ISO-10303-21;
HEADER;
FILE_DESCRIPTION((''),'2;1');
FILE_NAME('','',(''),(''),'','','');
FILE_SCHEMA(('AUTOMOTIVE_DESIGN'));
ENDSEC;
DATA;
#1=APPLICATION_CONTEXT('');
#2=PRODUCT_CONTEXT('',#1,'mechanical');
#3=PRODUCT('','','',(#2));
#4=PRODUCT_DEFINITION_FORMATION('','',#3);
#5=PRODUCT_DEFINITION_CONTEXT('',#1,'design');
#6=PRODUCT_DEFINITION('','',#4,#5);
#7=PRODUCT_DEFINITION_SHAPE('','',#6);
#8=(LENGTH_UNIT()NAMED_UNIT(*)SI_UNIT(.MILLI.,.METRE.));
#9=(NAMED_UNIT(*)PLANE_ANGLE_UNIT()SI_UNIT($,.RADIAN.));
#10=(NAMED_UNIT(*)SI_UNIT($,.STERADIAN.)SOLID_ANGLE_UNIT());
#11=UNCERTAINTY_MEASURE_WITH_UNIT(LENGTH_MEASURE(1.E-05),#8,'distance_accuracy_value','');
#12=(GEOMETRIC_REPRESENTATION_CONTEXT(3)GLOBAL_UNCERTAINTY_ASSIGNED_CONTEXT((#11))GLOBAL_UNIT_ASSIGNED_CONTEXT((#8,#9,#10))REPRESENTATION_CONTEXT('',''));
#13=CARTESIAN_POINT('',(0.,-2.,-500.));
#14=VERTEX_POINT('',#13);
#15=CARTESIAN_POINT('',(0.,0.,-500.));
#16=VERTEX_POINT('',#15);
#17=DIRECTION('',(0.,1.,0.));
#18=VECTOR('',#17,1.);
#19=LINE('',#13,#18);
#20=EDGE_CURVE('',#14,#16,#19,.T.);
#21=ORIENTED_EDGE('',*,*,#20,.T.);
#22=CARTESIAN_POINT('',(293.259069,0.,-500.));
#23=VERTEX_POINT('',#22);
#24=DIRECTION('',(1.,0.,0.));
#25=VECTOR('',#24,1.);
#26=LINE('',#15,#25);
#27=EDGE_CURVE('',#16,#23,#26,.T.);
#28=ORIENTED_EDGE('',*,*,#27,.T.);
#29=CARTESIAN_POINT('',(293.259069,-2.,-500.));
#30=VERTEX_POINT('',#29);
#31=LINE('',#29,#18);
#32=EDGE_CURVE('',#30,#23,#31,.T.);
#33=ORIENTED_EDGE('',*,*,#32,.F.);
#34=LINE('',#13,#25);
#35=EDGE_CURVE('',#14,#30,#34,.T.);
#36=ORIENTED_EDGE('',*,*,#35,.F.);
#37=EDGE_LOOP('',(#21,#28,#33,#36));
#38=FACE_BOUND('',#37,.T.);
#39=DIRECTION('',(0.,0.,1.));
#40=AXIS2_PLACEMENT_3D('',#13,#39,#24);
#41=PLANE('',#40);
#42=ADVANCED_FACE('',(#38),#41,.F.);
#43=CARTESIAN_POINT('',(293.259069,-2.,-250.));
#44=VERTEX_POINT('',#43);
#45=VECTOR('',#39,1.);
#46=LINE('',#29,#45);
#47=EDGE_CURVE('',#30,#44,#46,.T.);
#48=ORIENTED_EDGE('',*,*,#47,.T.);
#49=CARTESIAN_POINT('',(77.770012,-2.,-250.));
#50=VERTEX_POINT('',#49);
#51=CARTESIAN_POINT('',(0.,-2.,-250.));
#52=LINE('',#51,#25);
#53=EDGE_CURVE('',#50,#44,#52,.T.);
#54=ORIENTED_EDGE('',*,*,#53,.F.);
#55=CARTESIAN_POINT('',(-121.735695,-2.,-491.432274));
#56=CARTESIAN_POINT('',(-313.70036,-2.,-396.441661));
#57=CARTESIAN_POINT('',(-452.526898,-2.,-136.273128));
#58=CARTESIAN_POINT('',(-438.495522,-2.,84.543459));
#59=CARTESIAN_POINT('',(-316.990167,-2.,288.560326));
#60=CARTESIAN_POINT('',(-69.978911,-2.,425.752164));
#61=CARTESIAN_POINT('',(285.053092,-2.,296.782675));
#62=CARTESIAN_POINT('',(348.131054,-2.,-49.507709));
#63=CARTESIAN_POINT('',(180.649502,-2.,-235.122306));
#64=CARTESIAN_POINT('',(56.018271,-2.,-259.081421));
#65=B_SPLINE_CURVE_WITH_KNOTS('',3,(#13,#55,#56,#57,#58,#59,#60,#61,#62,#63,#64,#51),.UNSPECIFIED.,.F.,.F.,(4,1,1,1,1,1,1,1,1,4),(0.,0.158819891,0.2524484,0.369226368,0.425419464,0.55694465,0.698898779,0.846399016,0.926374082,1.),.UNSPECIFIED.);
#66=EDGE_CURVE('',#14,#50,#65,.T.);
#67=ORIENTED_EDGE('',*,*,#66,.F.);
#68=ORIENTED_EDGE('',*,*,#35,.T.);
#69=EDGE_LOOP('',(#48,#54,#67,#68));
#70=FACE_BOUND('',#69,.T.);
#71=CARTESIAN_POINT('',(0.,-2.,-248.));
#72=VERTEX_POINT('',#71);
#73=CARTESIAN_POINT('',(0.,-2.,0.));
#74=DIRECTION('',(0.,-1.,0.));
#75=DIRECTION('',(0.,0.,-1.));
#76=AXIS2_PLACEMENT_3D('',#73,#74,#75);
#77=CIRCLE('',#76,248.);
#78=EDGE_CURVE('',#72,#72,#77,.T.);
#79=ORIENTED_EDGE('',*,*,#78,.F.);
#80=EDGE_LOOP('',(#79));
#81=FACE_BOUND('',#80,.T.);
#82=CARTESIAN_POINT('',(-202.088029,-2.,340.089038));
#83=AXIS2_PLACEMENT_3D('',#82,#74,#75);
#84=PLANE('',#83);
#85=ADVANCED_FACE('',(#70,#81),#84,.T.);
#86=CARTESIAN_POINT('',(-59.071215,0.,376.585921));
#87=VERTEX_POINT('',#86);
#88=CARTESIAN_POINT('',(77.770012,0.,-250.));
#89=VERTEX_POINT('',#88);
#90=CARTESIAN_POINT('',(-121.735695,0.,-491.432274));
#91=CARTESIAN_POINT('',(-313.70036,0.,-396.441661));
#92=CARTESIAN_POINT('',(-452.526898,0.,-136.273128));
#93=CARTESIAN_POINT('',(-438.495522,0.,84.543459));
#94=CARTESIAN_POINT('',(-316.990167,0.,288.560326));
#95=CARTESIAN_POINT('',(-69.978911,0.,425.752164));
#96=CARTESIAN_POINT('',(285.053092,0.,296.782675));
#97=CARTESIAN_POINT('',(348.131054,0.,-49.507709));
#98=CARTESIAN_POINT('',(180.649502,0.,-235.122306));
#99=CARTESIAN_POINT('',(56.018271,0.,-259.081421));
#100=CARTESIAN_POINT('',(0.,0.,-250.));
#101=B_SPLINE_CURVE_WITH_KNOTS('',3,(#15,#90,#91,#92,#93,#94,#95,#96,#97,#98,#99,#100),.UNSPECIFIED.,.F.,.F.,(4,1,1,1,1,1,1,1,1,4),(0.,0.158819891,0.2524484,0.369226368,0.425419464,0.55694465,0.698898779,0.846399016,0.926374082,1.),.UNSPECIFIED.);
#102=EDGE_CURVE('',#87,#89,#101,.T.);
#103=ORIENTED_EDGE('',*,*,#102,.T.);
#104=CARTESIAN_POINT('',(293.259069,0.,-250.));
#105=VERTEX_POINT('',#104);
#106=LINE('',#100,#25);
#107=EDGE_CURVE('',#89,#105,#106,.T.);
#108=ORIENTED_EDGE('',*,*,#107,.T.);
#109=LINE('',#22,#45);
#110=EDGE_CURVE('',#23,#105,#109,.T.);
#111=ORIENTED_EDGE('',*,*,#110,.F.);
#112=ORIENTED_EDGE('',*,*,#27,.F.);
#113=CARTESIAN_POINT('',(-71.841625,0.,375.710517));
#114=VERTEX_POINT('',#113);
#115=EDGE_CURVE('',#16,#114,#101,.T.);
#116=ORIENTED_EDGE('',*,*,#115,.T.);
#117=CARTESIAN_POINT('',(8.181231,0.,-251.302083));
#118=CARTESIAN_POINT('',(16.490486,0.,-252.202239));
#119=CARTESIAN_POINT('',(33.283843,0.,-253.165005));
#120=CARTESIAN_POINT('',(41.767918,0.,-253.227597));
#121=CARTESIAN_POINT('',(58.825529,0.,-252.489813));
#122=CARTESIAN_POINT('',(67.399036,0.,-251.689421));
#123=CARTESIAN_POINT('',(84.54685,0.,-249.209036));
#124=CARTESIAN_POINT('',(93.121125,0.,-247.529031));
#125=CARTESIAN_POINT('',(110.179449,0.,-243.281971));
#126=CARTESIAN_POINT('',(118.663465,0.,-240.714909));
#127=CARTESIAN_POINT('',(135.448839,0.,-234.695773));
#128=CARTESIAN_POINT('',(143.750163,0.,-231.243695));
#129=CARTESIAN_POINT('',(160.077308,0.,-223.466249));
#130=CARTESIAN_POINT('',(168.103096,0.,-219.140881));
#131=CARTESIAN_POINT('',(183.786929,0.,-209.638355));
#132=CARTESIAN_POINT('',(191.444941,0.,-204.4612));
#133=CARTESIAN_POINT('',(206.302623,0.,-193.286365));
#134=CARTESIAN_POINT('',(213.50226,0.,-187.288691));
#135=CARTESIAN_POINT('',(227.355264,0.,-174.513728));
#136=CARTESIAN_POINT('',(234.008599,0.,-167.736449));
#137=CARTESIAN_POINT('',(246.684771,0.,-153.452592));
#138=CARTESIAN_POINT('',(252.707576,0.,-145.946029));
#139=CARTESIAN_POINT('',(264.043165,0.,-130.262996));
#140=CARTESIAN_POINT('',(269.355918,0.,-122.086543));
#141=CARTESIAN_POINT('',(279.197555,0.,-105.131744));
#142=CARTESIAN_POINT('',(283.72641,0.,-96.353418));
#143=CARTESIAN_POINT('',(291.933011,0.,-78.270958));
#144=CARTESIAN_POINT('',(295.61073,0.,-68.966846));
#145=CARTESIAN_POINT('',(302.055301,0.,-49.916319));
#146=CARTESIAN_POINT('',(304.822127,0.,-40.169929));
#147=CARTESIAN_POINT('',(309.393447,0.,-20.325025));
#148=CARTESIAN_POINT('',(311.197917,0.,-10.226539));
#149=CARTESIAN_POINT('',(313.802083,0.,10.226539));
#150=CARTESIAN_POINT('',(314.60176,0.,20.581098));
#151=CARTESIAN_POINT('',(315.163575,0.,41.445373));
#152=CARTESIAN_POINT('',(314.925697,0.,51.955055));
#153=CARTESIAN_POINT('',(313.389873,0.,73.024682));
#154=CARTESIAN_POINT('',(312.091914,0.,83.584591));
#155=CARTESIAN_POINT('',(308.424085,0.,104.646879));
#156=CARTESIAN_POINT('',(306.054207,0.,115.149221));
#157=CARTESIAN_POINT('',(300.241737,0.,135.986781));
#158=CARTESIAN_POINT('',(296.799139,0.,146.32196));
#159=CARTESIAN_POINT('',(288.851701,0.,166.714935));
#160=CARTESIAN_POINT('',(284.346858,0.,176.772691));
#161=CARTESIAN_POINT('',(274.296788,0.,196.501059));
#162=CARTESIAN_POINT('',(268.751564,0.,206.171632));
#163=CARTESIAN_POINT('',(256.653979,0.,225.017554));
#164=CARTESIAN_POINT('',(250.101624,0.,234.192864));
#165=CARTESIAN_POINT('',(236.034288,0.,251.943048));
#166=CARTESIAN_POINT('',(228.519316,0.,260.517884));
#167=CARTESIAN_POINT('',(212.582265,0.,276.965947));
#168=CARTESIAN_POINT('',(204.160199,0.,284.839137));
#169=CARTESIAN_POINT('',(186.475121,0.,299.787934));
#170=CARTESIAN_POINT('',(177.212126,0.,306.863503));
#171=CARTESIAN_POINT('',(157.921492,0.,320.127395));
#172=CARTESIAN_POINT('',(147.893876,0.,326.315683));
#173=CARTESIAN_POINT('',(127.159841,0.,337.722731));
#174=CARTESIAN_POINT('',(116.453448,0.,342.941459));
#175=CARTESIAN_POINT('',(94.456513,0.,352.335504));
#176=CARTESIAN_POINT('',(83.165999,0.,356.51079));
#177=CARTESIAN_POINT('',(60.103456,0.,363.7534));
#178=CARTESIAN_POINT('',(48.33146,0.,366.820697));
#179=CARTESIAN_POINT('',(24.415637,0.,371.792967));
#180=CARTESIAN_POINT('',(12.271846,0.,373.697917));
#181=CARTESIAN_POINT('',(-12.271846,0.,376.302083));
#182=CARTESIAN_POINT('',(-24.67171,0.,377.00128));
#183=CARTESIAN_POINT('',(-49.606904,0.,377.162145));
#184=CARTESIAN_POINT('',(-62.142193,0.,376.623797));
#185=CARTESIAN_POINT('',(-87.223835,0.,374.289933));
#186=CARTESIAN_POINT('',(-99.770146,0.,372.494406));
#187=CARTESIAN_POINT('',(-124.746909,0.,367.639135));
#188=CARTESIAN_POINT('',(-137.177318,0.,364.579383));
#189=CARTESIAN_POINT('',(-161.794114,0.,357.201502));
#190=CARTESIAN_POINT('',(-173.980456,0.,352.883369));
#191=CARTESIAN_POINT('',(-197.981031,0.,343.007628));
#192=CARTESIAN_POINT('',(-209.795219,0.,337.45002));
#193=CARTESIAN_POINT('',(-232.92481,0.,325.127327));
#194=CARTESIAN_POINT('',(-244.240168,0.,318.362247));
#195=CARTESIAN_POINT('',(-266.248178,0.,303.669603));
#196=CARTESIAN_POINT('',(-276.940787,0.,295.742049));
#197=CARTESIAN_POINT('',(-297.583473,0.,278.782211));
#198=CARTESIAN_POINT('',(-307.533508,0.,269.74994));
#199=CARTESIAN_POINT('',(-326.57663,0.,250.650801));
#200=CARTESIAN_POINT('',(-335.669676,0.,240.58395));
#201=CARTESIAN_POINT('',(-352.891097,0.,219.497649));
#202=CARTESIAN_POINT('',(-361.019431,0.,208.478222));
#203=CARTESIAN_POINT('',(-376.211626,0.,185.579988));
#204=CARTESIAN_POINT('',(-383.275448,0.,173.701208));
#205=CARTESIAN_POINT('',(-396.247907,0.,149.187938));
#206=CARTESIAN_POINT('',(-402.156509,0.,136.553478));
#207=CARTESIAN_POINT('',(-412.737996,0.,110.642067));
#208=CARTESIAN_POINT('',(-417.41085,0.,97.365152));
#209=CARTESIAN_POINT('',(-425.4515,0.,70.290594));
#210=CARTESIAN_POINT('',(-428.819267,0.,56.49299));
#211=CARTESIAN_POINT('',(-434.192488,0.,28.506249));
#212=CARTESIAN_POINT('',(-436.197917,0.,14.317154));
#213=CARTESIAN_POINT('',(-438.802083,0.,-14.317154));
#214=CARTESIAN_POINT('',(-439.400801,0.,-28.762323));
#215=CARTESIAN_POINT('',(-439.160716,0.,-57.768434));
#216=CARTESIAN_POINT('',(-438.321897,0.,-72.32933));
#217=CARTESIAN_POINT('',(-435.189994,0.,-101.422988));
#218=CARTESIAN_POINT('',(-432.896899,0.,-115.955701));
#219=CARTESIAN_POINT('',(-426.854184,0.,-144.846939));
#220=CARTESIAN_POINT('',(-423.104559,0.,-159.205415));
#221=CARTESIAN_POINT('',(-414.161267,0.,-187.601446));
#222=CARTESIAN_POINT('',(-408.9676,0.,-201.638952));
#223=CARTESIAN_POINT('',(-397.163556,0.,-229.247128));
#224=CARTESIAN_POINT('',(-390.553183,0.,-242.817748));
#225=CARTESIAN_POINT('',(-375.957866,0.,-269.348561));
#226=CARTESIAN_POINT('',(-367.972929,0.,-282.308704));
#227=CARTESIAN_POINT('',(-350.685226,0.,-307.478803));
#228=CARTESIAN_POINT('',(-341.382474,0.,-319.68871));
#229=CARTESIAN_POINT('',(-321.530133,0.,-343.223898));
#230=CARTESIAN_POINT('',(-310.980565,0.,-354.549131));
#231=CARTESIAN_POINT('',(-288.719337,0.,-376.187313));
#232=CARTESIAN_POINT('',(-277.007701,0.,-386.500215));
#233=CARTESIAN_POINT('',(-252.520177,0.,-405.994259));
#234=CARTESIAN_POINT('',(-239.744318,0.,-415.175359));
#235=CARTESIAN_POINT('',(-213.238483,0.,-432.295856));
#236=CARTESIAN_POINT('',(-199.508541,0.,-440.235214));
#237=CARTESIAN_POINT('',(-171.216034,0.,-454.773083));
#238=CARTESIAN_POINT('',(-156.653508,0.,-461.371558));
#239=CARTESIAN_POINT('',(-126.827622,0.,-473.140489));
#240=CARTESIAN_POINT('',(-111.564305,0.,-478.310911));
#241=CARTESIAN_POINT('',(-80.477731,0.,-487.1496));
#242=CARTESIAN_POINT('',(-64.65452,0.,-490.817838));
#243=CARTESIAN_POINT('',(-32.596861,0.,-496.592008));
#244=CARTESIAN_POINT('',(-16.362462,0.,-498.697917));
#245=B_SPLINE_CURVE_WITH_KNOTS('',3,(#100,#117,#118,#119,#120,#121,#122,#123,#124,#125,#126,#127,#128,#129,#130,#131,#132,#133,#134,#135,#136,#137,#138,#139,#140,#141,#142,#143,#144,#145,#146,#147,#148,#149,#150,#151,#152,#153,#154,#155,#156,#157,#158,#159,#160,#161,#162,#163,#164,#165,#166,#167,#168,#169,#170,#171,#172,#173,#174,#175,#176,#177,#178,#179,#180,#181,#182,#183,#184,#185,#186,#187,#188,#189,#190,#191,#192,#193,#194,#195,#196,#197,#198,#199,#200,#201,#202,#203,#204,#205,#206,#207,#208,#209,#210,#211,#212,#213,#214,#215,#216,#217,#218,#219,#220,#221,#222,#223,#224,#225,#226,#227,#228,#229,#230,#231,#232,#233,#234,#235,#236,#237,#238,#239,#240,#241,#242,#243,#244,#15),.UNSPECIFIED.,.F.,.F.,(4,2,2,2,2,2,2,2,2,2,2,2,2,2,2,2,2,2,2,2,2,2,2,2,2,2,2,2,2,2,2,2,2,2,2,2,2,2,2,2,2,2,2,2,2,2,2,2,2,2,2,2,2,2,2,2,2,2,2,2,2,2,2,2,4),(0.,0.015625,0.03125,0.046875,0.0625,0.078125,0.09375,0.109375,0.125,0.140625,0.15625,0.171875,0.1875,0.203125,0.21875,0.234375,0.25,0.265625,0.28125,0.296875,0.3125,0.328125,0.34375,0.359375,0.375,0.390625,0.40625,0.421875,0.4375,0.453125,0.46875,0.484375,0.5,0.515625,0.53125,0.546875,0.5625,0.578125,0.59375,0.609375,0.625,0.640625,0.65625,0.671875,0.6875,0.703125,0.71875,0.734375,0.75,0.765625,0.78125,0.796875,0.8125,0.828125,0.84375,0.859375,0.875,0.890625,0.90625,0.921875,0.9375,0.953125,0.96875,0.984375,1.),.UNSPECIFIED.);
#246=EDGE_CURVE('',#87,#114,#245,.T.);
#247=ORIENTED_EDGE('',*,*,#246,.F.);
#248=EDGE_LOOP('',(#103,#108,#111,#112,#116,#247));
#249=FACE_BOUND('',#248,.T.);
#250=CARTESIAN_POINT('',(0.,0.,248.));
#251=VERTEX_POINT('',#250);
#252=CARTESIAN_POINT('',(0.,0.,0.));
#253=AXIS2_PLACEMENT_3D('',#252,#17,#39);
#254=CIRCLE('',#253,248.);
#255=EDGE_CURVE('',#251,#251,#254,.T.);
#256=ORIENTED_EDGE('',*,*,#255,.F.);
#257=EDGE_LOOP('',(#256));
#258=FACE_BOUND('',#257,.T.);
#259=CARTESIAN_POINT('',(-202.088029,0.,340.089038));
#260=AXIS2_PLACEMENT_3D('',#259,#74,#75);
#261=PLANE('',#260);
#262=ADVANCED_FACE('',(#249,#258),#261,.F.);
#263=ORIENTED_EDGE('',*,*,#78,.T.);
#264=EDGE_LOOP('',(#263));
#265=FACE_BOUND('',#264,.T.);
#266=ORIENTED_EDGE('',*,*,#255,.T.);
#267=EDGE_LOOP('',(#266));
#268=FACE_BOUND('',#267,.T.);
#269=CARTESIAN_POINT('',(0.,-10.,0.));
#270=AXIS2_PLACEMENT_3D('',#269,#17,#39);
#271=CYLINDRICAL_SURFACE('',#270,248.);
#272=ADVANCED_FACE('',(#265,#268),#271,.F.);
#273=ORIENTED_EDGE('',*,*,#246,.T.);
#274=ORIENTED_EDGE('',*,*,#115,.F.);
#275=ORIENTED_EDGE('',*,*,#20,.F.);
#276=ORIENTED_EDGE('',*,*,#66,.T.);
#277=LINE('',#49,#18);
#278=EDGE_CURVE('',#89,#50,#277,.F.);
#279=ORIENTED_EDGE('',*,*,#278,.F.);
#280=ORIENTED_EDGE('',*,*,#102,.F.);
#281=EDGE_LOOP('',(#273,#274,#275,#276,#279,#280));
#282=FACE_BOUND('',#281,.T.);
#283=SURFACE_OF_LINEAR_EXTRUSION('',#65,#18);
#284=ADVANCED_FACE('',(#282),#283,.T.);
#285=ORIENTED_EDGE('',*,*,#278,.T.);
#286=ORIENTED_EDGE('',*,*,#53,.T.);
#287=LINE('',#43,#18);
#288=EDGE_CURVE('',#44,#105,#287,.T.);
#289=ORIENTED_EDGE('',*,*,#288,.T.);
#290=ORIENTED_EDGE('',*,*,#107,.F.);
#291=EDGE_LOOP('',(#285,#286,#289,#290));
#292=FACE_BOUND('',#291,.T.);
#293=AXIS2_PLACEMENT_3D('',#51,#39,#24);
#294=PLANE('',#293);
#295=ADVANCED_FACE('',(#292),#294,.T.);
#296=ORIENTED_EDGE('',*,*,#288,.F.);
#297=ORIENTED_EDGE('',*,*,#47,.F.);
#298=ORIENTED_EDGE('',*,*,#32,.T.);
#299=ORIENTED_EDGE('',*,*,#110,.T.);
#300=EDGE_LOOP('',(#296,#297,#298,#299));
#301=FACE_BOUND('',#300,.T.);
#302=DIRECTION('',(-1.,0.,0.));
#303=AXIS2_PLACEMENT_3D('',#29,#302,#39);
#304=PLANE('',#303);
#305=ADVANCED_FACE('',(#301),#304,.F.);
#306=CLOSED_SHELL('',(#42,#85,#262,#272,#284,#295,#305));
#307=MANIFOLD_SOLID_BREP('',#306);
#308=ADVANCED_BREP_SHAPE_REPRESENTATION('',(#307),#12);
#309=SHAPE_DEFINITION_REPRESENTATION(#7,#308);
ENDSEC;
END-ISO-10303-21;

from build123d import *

# Parameters (mm, degrees)
SKETCH4_W               = 2
SKETCH4_H               = 200
BOSS_EXTRUDE1_DEPTH     = 2
SKETCH6_W               = 1405.005943927
SKETCH6_H               = 405.322926854
CUT_EXTRUDE1_DEPTH      = 315.996533231
CUT_EXTRUDE1_DEPTH_BACK = 440.29577895
SKETCH7_R               = 248
CUT_EXTRUDE2_DEPTH      = 10
SKETCH9_W               = 293.259068653
SKETCH9_H               = 250
BOSS_EXTRUDE3_DEPTH     = 2


with BuildPart() as part:
    # Sweep1: sweep along a curve in space
    with BuildLine() as sweep1_path:
        add(Edge.make_bspline(
            [(0, 0, -250), (8.181230869, 0, -251.302083333), (16.490485858, 0, -252.202239115), (33.283843215, 0, -253.165004898), (41.767918014, 0, -253.227597369), (58.825529276, 0, -252.489812839), (67.399036198, 0, -251.689421172), (84.546849552, 0, -249.209035813), (93.121124768, 0, -247.529030536), (110.179448676, 0, -243.28197111), (118.663464802, 0, -240.714908644), (135.448838644, 0, -234.695772919), (143.750162786, 0, -231.243694762), (160.077308396, 0, -223.466249466), (168.103095642, 0, -219.140880964), (183.786929167, 0, -209.638354886), (191.44494095, 0, -204.461199558), (206.302623467, 0, -193.286364859), (213.502259812, 0, -187.288691386), (227.355264371, 0, -174.513728488), (234.008598689, 0, -167.736448609), (246.684770924, 0, -153.452592355), (252.707575824, 0, -145.946029132), (264.043165005, 0, -130.262996352), (269.35591753, 0, -122.086543468), (279.197554898, 0, -105.131744499), (283.726409621, 0, -96.353418486), (291.933011092, 0, -78.270957675), (295.610729717, 0, -68.966846184), (302.055300528, 0, -49.916318794), (304.822126933, 0, -40.169929234), (309.39344656, 0, -20.325024564), (311.197916667, 0, -10.226538586), (313.802083333, 0, 10.226538586), (314.601759746, 0, 20.581098128), (315.163575101, 0, 41.445373487), (314.925697135, 0, 51.955055437), (313.389873123, 0, 73.024682105), (312.091913646, 0, 83.584591073), (308.424085306, 0, 104.646879334), (306.054206696, 0, 115.149221353), (300.241736515, 0, 135.986781136), (296.799139049, 0, 146.321960485), (288.851700557, 0, 166.714935063), (284.346857616, 0, 176.772691135), (274.29678815, 0, 196.501059175), (268.751563779, 0, 206.171631657), (256.653978741, 0, 225.017553673), (250.101624339, 0, 234.192863818), (236.034287727, 0, 251.943048248), (228.519315892, 0, 260.517883668), (212.582264503, 0, 276.965947186), (204.160199387, 0, 284.839137372), (186.475120704, 0, 299.787933778), (177.212125552, 0, 306.863503462), (157.921492035, 0, 320.127395411), (147.893875928, 0, 326.315682935), (127.159841084, 0, 337.722731058), (116.453448267, 0, 342.941459114), (94.45651255, 0, 352.335503566), (83.165999013, 0, 356.510790002), (60.103456218, 0, 363.753400295), (48.331459506, 0, 366.820697137), (24.415636833, 0, 371.79296719), (12.271846303, 0, 373.697916667), (-12.271846303, 0, 376.302083333), (-24.671710397, 0, 377.001280376), (-49.606903759, 0, 377.162145305), (-62.14219286, 0, 376.623796902), (-87.223834934, 0, 374.289933407), (-99.770145948, 0, 372.49440612), (-124.746909116, 0, 367.639134798), (-137.177317938, 0, 364.579382855), (-161.794113597, 0, 357.201501919), (-173.980456169, 0, 352.883369455), (-197.981031483, 0, 343.007628195), (-209.795219484, 0, 337.45002047), (-232.924809953, 0, 325.127326834), (-244.240167671, 0, 318.362246594), (-266.248178179, 0, 303.669602597), (-276.940786686, 0, 295.742049119), (-297.583473029, 0, 278.782210595), (-307.533507523, 0, 269.749940398), (-326.576630001, 0, 250.650800517), (-335.669676056, 0, 240.583950166), (-352.891096632, 0, 219.497649054), (-361.0194311, 0, 208.478221971), (-376.211625816, 0, 185.579987719), (-383.275448339, 0, 173.701208389), (-396.247907217, 0, 149.18793767), (-402.156508607, 0, 136.553478049), (-412.73799604, 0, 110.642067425), (-417.410850286, 0, 97.365151842), (-425.451500061, 0, 70.290593641), (-428.81926734, 0, 56.492989778), (-434.192487821, 0, 28.506249102), (-436.197916667, 0, 14.31715402), (-438.802083333, 0, -14.31715402), (-439.400801007, 0, -28.762322666), (-439.160715508, 0, -57.768434031), (-438.321896668, 0, -72.329330283), (-435.189993691, 0, -101.422987763), (-432.896898594, 0, -115.955700823), (-426.854184291, 0, -144.846938898), (-423.104559014, 0, -159.205414524), (-414.161267324, 0, -187.601446057), (-408.96759986, 0, -201.638951853), (-397.163555833, 0, -229.247127902), (-390.553183323, 0, -242.817747834), (-375.957865518, 0, -269.348560731), (-367.972929409, 0, -282.308703686), (-350.685226452, 0, -307.478802685), (-341.3824739, 0, -319.688709553), (-321.530133463, 0, -343.223897809), (-310.980564904, 0, -354.549131378), (-288.719336532, 0, -376.187312816), (-277.007700944, 0, -386.50021474), (-252.520177403, 0, -405.994259486), (-239.744318391, 0, -415.175358738), (-213.238483403, 0, -432.295856222), (-199.508540849, 0, -440.235213744), (-171.216034255, 0, -454.773083377), (-156.653507831, 0, -461.3715581), (-126.8276223, 0, -473.140488514), (-111.564304671, 0, -478.31091057), (-80.477731064, 0, -487.149599827), (-64.65452005, 0, -490.817837544), (-32.596861371, 0, -496.592008451), (-16.362461737, 0, -498.697916667), (0, 0, -500)],
            knots=[0, 0, 0, 0, 0.015625, 0.015625, 0.03125, 0.03125, 0.046875, 0.046875, 0.0625, 0.0625, 0.078125, 0.078125, 0.09375, 0.09375, 0.109375, 0.109375, 0.125, 0.125, 0.140625, 0.140625, 0.15625, 0.15625, 0.171875, 0.171875, 0.1875, 0.1875, 0.203125, 0.203125, 0.21875, 0.21875, 0.234375, 0.234375, 0.25, 0.25, 0.265625, 0.265625, 0.28125, 0.28125, 0.296875, 0.296875, 0.3125, 0.3125, 0.328125, 0.328125, 0.34375, 0.34375, 0.359375, 0.359375, 0.375, 0.375, 0.390625, 0.390625, 0.40625, 0.40625, 0.421875, 0.421875, 0.4375, 0.4375, 0.453125, 0.453125, 0.46875, 0.46875, 0.484375, 0.484375, 0.5, 0.5, 0.515625, 0.515625, 0.53125, 0.53125, 0.546875, 0.546875, 0.5625, 0.5625, 0.578125, 0.578125, 0.59375, 0.59375, 0.609375, 0.609375, 0.625, 0.625, 0.640625, 0.640625, 0.65625, 0.65625, 0.671875, 0.671875, 0.6875, 0.6875, 0.703125, 0.703125, 0.71875, 0.71875, 0.734375, 0.734375, 0.75, 0.75, 0.765625, 0.765625, 0.78125, 0.78125, 0.796875, 0.796875, 0.8125, 0.8125, 0.828125, 0.828125, 0.84375, 0.84375, 0.859375, 0.859375, 0.875, 0.875, 0.890625, 0.890625, 0.90625, 0.90625, 0.921875, 0.921875, 0.9375, 0.9375, 0.953125, 0.953125, 0.96875, 0.96875, 0.984375, 0.984375, 1, 1, 1, 1], degree=3))
    # Sketch4 → Sweep1 (sweep)
    with BuildSketch(Plane(origin=(0, 0, 0), x_dir=(0, 0, -1), z_dir=(1, 0, 0))):
        with Locations((249, 100)):
            Rectangle(SKETCH4_W, SKETCH4_H)
    sweep(path=sweep1_path.line, is_frenet=True)

    # Sketch5 → Boss-Extrude1 (add)
    with BuildSketch(Plane.XZ):
        with BuildLine():
            Line((0, -250), (0, -500))
            add(Edge.make_bspline(
                [(0, -500), (-121.735694783, -491.432273979), (-313.700359878, -396.441660701), (-452.526897535, -136.273127559), (-438.495522047, 84.543459016), (-316.9901671, 288.560325686), (-69.978911087, 425.75216419), (285.053092388, 296.782675329), (348.131054403, -49.507708763), (180.649502041, -235.122306433), (56.018270753, -259.081421157), (0, -250)],
                knots=[0, 0, 0, 0, 0.158819891, 0.2524484, 0.369226368, 0.425419464, 0.55694465, 0.698898779, 0.846399016, 0.926374082, 1, 1, 1, 1], degree=3))
        make_face()
    extrude(amount=BOSS_EXTRUDE1_DEPTH)

    # Sketch6 → Cut-Extrude1 (cut, two sides)
    with BuildSketch(Plane(origin=(0, 0, 0), x_dir=(0, 0, -1), z_dir=(1, 0, 0))) as cut_extrude1_sk:
        with Locations((51.908730168, 202.661463427)):
            Rectangle(SKETCH6_W, SKETCH6_H)
    extrude(amount=CUT_EXTRUDE1_DEPTH, mode=Mode.SUBTRACT)
    extrude(cut_extrude1_sk.sketch, amount=-CUT_EXTRUDE1_DEPTH_BACK, mode=Mode.SUBTRACT)

    # Sketch7 → Cut-Extrude2 (cut)
    with BuildSketch(Plane(origin=(0, 0, 0), x_dir=(1, 0, 0), z_dir=(0, 1, 0))):
        Circle(SKETCH7_R)
    extrude(amount=-CUT_EXTRUDE2_DEPTH, mode=Mode.SUBTRACT)

    # Sketch9 → Boss-Extrude3 (add)
    with BuildSketch(Plane(origin=(0, 0, 0), x_dir=(1, 0, 0), z_dir=(0, 1, 0))):
        with Locations((146.629534327, 375)):
            Rectangle(SKETCH9_W, SKETCH9_H)
    extrude(amount=-BOSS_EXTRUDE3_DEPTH)


solid = part.part
